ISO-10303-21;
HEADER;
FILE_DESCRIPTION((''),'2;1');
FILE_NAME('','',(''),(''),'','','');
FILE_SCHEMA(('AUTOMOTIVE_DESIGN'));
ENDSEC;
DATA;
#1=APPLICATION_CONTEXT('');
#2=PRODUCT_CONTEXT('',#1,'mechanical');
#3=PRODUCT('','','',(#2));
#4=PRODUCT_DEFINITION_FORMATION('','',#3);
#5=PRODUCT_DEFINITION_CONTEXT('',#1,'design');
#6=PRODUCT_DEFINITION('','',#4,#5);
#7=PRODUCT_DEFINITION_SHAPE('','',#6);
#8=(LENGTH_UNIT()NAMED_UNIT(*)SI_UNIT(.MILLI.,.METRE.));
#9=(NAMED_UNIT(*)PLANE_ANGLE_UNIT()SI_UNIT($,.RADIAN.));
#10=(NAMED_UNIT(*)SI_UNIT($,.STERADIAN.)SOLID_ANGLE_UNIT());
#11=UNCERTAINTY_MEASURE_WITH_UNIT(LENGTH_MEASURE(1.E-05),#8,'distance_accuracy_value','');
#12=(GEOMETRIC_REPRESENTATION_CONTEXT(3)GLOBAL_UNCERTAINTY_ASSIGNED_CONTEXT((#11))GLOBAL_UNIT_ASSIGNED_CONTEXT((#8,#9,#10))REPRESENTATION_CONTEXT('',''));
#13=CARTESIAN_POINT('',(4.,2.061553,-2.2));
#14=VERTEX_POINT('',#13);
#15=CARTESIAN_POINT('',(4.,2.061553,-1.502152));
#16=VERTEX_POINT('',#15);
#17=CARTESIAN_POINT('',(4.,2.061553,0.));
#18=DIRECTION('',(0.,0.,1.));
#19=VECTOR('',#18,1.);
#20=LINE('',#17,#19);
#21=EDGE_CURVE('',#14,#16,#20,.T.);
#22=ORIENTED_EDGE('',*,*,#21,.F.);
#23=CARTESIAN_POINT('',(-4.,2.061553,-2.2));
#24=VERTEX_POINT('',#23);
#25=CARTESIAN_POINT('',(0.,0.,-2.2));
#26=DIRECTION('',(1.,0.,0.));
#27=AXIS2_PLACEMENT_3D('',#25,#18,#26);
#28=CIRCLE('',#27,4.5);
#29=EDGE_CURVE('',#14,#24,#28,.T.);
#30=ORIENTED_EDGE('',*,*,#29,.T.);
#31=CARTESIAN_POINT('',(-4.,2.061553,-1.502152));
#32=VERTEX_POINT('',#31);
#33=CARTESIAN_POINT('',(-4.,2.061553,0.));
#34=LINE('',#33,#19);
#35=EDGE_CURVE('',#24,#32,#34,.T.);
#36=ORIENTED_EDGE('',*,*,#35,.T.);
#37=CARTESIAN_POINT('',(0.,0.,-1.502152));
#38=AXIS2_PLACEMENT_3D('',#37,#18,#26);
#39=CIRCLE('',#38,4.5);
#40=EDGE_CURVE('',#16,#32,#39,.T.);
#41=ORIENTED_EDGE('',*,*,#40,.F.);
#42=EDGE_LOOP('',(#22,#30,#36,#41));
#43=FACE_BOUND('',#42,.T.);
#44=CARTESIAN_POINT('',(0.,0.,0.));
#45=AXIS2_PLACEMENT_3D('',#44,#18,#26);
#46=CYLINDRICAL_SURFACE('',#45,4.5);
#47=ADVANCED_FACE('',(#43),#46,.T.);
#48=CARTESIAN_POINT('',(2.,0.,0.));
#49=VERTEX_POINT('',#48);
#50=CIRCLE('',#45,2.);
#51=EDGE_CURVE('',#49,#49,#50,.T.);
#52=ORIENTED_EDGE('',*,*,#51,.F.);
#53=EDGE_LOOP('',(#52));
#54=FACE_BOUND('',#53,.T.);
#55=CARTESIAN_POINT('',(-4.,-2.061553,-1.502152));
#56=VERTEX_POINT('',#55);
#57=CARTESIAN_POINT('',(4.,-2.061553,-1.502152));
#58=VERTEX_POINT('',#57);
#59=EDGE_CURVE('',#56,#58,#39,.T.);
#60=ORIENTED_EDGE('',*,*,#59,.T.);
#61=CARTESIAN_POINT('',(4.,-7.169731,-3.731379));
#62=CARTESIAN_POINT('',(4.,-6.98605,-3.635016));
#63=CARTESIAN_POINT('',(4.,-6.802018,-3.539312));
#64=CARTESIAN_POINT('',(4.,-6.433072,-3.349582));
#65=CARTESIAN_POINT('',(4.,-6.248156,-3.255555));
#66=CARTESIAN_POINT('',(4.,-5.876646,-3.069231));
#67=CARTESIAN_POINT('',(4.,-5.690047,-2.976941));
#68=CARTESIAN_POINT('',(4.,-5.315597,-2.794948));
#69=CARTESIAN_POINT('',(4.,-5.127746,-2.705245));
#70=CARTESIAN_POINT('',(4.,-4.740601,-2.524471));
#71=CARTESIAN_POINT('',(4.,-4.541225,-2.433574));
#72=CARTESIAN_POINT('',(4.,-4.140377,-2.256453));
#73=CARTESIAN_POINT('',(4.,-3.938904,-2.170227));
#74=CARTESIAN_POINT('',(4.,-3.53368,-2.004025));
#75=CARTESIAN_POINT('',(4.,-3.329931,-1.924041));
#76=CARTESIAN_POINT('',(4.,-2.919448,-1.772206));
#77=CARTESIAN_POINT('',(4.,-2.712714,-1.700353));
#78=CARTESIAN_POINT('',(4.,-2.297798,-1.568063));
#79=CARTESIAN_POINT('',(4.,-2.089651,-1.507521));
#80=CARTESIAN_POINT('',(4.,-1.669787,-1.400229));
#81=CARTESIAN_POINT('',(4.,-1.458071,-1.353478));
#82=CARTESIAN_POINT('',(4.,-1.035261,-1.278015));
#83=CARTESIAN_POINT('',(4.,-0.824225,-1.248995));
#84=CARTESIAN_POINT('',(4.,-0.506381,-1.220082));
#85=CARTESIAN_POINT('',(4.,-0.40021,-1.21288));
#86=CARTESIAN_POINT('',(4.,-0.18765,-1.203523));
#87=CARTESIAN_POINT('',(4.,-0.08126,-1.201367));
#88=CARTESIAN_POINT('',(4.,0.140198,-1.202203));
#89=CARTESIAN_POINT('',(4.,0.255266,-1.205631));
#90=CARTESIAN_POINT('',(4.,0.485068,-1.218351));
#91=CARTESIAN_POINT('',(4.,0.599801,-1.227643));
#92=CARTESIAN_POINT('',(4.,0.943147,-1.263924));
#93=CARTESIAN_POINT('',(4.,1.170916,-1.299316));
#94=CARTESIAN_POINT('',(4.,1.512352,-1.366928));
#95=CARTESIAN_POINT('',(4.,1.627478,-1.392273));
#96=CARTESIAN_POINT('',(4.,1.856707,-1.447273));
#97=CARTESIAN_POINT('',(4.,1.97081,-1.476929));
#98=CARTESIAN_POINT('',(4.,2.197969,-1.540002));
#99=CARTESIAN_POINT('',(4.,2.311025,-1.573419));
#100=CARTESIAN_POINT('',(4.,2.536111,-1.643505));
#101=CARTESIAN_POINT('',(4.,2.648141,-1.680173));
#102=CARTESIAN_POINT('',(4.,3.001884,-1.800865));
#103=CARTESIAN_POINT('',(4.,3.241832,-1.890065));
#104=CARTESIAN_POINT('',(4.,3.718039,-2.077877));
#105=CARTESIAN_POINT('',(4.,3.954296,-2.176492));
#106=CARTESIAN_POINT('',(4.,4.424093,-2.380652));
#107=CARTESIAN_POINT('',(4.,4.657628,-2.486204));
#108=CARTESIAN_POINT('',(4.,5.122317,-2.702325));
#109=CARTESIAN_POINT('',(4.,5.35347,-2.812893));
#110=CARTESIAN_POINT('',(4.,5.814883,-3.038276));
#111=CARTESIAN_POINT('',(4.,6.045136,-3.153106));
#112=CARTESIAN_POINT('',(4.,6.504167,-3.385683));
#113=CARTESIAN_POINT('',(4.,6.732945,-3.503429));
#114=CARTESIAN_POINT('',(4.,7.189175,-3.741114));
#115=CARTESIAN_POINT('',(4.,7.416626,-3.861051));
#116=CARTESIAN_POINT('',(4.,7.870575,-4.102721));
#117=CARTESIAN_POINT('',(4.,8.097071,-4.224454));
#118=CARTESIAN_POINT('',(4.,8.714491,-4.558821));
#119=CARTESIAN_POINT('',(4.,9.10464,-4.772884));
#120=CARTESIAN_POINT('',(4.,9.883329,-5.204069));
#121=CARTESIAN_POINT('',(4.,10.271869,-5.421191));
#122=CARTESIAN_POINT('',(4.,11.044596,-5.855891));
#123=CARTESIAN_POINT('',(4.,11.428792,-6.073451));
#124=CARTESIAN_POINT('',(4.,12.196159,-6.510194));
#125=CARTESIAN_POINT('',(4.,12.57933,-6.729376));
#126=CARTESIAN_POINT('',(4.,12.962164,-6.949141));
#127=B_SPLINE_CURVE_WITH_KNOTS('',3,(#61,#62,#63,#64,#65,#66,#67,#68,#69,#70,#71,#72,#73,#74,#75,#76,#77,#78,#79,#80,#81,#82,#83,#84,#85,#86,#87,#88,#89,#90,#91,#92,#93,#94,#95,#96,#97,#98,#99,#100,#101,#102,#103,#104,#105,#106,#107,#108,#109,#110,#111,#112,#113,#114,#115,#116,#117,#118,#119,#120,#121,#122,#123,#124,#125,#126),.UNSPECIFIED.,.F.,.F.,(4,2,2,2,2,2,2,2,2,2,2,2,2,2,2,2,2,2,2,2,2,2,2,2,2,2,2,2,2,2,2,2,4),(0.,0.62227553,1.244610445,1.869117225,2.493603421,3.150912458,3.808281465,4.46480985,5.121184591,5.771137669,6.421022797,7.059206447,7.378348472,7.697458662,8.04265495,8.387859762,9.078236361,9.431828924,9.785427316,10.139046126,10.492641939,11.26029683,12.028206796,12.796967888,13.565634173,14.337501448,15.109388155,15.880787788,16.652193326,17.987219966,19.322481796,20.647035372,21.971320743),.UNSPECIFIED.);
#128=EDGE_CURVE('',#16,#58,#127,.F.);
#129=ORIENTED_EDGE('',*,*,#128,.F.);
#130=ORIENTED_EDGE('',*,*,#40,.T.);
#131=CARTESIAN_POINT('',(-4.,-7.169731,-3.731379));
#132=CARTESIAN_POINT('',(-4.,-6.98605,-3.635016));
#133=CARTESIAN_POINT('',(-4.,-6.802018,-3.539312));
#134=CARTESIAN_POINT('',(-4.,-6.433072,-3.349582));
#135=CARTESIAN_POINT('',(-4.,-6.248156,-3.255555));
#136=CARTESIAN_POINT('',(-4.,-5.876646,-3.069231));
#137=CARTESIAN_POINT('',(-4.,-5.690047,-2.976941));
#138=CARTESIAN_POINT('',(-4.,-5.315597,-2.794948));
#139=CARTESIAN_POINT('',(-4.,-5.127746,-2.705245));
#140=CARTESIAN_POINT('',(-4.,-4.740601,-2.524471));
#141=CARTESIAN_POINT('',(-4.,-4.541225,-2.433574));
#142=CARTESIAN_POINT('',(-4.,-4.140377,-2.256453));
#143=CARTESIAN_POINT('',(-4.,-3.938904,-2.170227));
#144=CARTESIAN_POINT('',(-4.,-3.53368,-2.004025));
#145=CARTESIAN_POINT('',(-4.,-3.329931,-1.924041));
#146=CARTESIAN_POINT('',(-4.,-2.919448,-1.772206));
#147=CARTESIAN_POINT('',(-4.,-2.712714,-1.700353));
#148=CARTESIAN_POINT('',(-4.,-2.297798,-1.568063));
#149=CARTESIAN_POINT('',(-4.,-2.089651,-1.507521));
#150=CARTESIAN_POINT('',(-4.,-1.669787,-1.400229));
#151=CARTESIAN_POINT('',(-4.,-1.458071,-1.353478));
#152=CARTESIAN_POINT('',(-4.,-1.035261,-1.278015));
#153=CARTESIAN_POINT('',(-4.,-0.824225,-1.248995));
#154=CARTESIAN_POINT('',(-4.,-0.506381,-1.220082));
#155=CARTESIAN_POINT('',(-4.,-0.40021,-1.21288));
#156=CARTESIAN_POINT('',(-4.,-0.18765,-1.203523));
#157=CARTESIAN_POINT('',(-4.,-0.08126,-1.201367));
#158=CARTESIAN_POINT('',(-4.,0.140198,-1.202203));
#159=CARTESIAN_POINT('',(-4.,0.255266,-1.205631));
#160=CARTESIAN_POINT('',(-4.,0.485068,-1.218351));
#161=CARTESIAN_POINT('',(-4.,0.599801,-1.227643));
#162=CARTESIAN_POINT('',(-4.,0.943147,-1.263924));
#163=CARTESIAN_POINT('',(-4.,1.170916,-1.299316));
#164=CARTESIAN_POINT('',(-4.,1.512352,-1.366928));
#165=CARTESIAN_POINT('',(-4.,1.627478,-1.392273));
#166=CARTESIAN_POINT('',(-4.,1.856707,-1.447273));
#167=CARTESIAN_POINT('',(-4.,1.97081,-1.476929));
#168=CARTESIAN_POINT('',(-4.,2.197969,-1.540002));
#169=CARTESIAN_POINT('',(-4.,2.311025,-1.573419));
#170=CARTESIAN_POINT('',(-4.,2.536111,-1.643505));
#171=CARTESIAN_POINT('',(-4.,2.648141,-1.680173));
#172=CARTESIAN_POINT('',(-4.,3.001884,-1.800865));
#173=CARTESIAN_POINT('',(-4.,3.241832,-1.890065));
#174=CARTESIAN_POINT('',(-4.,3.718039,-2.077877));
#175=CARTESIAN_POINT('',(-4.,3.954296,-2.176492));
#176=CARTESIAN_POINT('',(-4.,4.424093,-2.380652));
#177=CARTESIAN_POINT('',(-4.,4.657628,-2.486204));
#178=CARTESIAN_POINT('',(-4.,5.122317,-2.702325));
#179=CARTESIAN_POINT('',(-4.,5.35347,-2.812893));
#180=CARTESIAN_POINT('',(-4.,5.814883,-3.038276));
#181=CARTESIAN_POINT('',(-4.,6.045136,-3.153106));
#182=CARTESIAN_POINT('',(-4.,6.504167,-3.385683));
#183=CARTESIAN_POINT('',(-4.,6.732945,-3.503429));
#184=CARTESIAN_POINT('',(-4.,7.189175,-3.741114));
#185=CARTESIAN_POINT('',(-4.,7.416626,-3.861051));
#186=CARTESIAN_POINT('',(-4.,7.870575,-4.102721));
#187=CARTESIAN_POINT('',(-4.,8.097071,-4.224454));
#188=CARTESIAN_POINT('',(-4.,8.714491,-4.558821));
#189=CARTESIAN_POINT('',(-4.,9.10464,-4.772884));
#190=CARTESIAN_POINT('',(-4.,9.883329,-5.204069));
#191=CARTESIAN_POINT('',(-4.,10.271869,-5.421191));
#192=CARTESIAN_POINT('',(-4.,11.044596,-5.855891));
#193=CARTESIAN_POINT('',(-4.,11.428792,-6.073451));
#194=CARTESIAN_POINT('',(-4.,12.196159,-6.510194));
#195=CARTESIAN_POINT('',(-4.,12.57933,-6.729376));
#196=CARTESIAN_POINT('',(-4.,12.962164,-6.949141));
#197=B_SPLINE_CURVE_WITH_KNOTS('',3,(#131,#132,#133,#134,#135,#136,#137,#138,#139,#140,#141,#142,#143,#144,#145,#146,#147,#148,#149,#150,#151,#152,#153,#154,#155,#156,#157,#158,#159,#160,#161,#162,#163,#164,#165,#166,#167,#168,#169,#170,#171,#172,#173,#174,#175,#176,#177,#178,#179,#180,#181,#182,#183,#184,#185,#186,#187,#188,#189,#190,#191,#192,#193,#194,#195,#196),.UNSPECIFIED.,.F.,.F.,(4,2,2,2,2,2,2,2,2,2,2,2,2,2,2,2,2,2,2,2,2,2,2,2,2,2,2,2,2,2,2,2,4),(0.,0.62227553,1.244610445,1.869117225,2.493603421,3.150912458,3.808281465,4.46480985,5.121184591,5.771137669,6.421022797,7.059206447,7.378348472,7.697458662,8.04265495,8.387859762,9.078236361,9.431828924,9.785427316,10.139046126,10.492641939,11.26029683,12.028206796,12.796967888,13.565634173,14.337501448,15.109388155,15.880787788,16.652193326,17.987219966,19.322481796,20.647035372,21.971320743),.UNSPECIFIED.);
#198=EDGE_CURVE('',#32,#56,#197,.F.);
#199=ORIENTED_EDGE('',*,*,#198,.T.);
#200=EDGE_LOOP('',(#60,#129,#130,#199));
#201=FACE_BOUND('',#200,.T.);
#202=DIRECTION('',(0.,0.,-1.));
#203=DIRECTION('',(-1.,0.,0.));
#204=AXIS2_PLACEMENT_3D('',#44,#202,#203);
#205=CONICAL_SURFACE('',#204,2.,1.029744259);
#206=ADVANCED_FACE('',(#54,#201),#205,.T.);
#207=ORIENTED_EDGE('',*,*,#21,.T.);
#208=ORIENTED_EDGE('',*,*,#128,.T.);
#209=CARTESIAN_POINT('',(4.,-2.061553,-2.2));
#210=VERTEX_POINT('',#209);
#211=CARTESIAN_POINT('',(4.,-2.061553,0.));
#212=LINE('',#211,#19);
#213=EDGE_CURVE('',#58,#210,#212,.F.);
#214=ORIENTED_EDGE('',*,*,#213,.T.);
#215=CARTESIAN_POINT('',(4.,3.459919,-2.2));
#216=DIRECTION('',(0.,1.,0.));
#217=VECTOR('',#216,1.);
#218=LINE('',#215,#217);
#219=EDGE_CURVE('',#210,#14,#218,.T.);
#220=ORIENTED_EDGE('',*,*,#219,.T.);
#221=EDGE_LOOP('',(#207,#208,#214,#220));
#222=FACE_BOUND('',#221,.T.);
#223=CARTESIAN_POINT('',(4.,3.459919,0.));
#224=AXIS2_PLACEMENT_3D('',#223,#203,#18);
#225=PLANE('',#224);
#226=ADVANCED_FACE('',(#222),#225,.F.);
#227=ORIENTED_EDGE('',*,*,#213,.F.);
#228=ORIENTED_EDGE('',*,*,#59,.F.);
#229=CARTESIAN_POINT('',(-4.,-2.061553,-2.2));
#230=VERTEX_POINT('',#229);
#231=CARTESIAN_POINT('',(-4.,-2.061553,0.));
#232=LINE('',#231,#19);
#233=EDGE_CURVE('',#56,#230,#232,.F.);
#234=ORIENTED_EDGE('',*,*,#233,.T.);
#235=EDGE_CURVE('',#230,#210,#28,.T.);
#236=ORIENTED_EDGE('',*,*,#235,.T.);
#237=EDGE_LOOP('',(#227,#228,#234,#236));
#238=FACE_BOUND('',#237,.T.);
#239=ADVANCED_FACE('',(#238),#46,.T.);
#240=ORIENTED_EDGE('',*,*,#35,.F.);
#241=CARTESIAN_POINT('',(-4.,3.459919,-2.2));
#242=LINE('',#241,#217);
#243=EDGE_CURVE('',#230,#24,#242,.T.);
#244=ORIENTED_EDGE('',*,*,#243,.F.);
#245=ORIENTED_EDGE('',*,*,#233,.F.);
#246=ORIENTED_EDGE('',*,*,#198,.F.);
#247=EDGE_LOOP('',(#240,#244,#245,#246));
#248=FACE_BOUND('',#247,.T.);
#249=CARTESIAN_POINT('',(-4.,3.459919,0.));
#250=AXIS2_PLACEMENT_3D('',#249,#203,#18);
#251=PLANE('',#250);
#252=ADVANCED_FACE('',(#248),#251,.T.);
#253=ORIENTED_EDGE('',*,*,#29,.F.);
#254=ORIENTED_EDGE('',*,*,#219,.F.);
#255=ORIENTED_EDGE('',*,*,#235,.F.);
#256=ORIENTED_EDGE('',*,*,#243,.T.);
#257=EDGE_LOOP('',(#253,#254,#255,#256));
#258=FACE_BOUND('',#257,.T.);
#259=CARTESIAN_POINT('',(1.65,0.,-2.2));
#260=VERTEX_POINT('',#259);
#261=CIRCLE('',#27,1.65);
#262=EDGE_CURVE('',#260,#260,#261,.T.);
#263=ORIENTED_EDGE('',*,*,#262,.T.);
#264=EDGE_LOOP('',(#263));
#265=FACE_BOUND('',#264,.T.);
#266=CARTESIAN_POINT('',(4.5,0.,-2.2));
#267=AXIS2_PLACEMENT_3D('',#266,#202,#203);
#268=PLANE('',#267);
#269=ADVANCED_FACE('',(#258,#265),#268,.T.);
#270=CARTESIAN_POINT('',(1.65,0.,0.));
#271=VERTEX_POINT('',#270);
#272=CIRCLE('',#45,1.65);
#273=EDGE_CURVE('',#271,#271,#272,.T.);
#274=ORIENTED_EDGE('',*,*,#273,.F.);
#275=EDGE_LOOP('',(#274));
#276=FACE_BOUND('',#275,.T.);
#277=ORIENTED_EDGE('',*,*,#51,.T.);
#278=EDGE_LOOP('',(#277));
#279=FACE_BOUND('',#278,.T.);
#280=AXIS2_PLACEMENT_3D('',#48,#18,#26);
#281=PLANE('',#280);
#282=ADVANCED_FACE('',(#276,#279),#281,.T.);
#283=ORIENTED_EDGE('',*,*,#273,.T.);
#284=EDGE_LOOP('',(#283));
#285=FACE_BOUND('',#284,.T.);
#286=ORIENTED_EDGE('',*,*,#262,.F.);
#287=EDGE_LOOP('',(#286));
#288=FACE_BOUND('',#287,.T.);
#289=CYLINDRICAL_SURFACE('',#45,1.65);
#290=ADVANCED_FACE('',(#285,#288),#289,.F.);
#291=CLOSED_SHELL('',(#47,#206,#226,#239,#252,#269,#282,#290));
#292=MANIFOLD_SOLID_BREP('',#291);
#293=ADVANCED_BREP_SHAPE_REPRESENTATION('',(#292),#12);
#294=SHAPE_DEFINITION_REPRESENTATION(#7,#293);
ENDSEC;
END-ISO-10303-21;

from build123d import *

# Parameters (mm, degrees)
SKETCH3_W          = 2.43419071
SKETCH3_H          = 7.16478775
CUT_EXTRUDE1_DEPTH = 3.2


with BuildPart() as part:
    # Sketch2 → Revolve1 (revolve)
    with BuildSketch(Plane(origin=(0, 0, 0), x_dir=(1, 0, 0), z_dir=(0, 1, 0))):
        Polygon((2, 0), (4.5, 1.502151548), (4.5, 2.2), (1.65, 2.2), (1.65, 0), align=None)
    revolve(axis=Axis((0, 0, 0), (0, 0, -1)))

    # Sketch3 → Cut-Extrude1 (cut, through all)
    with BuildSketch(Plane(origin=(0, 0, -2.2), x_dir=(-1, 0, 0), z_dir=(0, 0, -1))):
        with Locations((-5.217095355, -0.122475004)):
            Rectangle(SKETCH3_W, SKETCH3_H)
    cut_extrude1 = extrude(amount=-CUT_EXTRUDE1_DEPTH, mode=Mode.SUBTRACT)

    # Mirror1: Cut-Extrude1 across plane
    add(cut_extrude1.mirror(Plane(origin=(0, 0, 0), x_dir=(0, 0, 1), z_dir=(1, 0, 0))), mode=Mode.SUBTRACT)


solid = part.part
